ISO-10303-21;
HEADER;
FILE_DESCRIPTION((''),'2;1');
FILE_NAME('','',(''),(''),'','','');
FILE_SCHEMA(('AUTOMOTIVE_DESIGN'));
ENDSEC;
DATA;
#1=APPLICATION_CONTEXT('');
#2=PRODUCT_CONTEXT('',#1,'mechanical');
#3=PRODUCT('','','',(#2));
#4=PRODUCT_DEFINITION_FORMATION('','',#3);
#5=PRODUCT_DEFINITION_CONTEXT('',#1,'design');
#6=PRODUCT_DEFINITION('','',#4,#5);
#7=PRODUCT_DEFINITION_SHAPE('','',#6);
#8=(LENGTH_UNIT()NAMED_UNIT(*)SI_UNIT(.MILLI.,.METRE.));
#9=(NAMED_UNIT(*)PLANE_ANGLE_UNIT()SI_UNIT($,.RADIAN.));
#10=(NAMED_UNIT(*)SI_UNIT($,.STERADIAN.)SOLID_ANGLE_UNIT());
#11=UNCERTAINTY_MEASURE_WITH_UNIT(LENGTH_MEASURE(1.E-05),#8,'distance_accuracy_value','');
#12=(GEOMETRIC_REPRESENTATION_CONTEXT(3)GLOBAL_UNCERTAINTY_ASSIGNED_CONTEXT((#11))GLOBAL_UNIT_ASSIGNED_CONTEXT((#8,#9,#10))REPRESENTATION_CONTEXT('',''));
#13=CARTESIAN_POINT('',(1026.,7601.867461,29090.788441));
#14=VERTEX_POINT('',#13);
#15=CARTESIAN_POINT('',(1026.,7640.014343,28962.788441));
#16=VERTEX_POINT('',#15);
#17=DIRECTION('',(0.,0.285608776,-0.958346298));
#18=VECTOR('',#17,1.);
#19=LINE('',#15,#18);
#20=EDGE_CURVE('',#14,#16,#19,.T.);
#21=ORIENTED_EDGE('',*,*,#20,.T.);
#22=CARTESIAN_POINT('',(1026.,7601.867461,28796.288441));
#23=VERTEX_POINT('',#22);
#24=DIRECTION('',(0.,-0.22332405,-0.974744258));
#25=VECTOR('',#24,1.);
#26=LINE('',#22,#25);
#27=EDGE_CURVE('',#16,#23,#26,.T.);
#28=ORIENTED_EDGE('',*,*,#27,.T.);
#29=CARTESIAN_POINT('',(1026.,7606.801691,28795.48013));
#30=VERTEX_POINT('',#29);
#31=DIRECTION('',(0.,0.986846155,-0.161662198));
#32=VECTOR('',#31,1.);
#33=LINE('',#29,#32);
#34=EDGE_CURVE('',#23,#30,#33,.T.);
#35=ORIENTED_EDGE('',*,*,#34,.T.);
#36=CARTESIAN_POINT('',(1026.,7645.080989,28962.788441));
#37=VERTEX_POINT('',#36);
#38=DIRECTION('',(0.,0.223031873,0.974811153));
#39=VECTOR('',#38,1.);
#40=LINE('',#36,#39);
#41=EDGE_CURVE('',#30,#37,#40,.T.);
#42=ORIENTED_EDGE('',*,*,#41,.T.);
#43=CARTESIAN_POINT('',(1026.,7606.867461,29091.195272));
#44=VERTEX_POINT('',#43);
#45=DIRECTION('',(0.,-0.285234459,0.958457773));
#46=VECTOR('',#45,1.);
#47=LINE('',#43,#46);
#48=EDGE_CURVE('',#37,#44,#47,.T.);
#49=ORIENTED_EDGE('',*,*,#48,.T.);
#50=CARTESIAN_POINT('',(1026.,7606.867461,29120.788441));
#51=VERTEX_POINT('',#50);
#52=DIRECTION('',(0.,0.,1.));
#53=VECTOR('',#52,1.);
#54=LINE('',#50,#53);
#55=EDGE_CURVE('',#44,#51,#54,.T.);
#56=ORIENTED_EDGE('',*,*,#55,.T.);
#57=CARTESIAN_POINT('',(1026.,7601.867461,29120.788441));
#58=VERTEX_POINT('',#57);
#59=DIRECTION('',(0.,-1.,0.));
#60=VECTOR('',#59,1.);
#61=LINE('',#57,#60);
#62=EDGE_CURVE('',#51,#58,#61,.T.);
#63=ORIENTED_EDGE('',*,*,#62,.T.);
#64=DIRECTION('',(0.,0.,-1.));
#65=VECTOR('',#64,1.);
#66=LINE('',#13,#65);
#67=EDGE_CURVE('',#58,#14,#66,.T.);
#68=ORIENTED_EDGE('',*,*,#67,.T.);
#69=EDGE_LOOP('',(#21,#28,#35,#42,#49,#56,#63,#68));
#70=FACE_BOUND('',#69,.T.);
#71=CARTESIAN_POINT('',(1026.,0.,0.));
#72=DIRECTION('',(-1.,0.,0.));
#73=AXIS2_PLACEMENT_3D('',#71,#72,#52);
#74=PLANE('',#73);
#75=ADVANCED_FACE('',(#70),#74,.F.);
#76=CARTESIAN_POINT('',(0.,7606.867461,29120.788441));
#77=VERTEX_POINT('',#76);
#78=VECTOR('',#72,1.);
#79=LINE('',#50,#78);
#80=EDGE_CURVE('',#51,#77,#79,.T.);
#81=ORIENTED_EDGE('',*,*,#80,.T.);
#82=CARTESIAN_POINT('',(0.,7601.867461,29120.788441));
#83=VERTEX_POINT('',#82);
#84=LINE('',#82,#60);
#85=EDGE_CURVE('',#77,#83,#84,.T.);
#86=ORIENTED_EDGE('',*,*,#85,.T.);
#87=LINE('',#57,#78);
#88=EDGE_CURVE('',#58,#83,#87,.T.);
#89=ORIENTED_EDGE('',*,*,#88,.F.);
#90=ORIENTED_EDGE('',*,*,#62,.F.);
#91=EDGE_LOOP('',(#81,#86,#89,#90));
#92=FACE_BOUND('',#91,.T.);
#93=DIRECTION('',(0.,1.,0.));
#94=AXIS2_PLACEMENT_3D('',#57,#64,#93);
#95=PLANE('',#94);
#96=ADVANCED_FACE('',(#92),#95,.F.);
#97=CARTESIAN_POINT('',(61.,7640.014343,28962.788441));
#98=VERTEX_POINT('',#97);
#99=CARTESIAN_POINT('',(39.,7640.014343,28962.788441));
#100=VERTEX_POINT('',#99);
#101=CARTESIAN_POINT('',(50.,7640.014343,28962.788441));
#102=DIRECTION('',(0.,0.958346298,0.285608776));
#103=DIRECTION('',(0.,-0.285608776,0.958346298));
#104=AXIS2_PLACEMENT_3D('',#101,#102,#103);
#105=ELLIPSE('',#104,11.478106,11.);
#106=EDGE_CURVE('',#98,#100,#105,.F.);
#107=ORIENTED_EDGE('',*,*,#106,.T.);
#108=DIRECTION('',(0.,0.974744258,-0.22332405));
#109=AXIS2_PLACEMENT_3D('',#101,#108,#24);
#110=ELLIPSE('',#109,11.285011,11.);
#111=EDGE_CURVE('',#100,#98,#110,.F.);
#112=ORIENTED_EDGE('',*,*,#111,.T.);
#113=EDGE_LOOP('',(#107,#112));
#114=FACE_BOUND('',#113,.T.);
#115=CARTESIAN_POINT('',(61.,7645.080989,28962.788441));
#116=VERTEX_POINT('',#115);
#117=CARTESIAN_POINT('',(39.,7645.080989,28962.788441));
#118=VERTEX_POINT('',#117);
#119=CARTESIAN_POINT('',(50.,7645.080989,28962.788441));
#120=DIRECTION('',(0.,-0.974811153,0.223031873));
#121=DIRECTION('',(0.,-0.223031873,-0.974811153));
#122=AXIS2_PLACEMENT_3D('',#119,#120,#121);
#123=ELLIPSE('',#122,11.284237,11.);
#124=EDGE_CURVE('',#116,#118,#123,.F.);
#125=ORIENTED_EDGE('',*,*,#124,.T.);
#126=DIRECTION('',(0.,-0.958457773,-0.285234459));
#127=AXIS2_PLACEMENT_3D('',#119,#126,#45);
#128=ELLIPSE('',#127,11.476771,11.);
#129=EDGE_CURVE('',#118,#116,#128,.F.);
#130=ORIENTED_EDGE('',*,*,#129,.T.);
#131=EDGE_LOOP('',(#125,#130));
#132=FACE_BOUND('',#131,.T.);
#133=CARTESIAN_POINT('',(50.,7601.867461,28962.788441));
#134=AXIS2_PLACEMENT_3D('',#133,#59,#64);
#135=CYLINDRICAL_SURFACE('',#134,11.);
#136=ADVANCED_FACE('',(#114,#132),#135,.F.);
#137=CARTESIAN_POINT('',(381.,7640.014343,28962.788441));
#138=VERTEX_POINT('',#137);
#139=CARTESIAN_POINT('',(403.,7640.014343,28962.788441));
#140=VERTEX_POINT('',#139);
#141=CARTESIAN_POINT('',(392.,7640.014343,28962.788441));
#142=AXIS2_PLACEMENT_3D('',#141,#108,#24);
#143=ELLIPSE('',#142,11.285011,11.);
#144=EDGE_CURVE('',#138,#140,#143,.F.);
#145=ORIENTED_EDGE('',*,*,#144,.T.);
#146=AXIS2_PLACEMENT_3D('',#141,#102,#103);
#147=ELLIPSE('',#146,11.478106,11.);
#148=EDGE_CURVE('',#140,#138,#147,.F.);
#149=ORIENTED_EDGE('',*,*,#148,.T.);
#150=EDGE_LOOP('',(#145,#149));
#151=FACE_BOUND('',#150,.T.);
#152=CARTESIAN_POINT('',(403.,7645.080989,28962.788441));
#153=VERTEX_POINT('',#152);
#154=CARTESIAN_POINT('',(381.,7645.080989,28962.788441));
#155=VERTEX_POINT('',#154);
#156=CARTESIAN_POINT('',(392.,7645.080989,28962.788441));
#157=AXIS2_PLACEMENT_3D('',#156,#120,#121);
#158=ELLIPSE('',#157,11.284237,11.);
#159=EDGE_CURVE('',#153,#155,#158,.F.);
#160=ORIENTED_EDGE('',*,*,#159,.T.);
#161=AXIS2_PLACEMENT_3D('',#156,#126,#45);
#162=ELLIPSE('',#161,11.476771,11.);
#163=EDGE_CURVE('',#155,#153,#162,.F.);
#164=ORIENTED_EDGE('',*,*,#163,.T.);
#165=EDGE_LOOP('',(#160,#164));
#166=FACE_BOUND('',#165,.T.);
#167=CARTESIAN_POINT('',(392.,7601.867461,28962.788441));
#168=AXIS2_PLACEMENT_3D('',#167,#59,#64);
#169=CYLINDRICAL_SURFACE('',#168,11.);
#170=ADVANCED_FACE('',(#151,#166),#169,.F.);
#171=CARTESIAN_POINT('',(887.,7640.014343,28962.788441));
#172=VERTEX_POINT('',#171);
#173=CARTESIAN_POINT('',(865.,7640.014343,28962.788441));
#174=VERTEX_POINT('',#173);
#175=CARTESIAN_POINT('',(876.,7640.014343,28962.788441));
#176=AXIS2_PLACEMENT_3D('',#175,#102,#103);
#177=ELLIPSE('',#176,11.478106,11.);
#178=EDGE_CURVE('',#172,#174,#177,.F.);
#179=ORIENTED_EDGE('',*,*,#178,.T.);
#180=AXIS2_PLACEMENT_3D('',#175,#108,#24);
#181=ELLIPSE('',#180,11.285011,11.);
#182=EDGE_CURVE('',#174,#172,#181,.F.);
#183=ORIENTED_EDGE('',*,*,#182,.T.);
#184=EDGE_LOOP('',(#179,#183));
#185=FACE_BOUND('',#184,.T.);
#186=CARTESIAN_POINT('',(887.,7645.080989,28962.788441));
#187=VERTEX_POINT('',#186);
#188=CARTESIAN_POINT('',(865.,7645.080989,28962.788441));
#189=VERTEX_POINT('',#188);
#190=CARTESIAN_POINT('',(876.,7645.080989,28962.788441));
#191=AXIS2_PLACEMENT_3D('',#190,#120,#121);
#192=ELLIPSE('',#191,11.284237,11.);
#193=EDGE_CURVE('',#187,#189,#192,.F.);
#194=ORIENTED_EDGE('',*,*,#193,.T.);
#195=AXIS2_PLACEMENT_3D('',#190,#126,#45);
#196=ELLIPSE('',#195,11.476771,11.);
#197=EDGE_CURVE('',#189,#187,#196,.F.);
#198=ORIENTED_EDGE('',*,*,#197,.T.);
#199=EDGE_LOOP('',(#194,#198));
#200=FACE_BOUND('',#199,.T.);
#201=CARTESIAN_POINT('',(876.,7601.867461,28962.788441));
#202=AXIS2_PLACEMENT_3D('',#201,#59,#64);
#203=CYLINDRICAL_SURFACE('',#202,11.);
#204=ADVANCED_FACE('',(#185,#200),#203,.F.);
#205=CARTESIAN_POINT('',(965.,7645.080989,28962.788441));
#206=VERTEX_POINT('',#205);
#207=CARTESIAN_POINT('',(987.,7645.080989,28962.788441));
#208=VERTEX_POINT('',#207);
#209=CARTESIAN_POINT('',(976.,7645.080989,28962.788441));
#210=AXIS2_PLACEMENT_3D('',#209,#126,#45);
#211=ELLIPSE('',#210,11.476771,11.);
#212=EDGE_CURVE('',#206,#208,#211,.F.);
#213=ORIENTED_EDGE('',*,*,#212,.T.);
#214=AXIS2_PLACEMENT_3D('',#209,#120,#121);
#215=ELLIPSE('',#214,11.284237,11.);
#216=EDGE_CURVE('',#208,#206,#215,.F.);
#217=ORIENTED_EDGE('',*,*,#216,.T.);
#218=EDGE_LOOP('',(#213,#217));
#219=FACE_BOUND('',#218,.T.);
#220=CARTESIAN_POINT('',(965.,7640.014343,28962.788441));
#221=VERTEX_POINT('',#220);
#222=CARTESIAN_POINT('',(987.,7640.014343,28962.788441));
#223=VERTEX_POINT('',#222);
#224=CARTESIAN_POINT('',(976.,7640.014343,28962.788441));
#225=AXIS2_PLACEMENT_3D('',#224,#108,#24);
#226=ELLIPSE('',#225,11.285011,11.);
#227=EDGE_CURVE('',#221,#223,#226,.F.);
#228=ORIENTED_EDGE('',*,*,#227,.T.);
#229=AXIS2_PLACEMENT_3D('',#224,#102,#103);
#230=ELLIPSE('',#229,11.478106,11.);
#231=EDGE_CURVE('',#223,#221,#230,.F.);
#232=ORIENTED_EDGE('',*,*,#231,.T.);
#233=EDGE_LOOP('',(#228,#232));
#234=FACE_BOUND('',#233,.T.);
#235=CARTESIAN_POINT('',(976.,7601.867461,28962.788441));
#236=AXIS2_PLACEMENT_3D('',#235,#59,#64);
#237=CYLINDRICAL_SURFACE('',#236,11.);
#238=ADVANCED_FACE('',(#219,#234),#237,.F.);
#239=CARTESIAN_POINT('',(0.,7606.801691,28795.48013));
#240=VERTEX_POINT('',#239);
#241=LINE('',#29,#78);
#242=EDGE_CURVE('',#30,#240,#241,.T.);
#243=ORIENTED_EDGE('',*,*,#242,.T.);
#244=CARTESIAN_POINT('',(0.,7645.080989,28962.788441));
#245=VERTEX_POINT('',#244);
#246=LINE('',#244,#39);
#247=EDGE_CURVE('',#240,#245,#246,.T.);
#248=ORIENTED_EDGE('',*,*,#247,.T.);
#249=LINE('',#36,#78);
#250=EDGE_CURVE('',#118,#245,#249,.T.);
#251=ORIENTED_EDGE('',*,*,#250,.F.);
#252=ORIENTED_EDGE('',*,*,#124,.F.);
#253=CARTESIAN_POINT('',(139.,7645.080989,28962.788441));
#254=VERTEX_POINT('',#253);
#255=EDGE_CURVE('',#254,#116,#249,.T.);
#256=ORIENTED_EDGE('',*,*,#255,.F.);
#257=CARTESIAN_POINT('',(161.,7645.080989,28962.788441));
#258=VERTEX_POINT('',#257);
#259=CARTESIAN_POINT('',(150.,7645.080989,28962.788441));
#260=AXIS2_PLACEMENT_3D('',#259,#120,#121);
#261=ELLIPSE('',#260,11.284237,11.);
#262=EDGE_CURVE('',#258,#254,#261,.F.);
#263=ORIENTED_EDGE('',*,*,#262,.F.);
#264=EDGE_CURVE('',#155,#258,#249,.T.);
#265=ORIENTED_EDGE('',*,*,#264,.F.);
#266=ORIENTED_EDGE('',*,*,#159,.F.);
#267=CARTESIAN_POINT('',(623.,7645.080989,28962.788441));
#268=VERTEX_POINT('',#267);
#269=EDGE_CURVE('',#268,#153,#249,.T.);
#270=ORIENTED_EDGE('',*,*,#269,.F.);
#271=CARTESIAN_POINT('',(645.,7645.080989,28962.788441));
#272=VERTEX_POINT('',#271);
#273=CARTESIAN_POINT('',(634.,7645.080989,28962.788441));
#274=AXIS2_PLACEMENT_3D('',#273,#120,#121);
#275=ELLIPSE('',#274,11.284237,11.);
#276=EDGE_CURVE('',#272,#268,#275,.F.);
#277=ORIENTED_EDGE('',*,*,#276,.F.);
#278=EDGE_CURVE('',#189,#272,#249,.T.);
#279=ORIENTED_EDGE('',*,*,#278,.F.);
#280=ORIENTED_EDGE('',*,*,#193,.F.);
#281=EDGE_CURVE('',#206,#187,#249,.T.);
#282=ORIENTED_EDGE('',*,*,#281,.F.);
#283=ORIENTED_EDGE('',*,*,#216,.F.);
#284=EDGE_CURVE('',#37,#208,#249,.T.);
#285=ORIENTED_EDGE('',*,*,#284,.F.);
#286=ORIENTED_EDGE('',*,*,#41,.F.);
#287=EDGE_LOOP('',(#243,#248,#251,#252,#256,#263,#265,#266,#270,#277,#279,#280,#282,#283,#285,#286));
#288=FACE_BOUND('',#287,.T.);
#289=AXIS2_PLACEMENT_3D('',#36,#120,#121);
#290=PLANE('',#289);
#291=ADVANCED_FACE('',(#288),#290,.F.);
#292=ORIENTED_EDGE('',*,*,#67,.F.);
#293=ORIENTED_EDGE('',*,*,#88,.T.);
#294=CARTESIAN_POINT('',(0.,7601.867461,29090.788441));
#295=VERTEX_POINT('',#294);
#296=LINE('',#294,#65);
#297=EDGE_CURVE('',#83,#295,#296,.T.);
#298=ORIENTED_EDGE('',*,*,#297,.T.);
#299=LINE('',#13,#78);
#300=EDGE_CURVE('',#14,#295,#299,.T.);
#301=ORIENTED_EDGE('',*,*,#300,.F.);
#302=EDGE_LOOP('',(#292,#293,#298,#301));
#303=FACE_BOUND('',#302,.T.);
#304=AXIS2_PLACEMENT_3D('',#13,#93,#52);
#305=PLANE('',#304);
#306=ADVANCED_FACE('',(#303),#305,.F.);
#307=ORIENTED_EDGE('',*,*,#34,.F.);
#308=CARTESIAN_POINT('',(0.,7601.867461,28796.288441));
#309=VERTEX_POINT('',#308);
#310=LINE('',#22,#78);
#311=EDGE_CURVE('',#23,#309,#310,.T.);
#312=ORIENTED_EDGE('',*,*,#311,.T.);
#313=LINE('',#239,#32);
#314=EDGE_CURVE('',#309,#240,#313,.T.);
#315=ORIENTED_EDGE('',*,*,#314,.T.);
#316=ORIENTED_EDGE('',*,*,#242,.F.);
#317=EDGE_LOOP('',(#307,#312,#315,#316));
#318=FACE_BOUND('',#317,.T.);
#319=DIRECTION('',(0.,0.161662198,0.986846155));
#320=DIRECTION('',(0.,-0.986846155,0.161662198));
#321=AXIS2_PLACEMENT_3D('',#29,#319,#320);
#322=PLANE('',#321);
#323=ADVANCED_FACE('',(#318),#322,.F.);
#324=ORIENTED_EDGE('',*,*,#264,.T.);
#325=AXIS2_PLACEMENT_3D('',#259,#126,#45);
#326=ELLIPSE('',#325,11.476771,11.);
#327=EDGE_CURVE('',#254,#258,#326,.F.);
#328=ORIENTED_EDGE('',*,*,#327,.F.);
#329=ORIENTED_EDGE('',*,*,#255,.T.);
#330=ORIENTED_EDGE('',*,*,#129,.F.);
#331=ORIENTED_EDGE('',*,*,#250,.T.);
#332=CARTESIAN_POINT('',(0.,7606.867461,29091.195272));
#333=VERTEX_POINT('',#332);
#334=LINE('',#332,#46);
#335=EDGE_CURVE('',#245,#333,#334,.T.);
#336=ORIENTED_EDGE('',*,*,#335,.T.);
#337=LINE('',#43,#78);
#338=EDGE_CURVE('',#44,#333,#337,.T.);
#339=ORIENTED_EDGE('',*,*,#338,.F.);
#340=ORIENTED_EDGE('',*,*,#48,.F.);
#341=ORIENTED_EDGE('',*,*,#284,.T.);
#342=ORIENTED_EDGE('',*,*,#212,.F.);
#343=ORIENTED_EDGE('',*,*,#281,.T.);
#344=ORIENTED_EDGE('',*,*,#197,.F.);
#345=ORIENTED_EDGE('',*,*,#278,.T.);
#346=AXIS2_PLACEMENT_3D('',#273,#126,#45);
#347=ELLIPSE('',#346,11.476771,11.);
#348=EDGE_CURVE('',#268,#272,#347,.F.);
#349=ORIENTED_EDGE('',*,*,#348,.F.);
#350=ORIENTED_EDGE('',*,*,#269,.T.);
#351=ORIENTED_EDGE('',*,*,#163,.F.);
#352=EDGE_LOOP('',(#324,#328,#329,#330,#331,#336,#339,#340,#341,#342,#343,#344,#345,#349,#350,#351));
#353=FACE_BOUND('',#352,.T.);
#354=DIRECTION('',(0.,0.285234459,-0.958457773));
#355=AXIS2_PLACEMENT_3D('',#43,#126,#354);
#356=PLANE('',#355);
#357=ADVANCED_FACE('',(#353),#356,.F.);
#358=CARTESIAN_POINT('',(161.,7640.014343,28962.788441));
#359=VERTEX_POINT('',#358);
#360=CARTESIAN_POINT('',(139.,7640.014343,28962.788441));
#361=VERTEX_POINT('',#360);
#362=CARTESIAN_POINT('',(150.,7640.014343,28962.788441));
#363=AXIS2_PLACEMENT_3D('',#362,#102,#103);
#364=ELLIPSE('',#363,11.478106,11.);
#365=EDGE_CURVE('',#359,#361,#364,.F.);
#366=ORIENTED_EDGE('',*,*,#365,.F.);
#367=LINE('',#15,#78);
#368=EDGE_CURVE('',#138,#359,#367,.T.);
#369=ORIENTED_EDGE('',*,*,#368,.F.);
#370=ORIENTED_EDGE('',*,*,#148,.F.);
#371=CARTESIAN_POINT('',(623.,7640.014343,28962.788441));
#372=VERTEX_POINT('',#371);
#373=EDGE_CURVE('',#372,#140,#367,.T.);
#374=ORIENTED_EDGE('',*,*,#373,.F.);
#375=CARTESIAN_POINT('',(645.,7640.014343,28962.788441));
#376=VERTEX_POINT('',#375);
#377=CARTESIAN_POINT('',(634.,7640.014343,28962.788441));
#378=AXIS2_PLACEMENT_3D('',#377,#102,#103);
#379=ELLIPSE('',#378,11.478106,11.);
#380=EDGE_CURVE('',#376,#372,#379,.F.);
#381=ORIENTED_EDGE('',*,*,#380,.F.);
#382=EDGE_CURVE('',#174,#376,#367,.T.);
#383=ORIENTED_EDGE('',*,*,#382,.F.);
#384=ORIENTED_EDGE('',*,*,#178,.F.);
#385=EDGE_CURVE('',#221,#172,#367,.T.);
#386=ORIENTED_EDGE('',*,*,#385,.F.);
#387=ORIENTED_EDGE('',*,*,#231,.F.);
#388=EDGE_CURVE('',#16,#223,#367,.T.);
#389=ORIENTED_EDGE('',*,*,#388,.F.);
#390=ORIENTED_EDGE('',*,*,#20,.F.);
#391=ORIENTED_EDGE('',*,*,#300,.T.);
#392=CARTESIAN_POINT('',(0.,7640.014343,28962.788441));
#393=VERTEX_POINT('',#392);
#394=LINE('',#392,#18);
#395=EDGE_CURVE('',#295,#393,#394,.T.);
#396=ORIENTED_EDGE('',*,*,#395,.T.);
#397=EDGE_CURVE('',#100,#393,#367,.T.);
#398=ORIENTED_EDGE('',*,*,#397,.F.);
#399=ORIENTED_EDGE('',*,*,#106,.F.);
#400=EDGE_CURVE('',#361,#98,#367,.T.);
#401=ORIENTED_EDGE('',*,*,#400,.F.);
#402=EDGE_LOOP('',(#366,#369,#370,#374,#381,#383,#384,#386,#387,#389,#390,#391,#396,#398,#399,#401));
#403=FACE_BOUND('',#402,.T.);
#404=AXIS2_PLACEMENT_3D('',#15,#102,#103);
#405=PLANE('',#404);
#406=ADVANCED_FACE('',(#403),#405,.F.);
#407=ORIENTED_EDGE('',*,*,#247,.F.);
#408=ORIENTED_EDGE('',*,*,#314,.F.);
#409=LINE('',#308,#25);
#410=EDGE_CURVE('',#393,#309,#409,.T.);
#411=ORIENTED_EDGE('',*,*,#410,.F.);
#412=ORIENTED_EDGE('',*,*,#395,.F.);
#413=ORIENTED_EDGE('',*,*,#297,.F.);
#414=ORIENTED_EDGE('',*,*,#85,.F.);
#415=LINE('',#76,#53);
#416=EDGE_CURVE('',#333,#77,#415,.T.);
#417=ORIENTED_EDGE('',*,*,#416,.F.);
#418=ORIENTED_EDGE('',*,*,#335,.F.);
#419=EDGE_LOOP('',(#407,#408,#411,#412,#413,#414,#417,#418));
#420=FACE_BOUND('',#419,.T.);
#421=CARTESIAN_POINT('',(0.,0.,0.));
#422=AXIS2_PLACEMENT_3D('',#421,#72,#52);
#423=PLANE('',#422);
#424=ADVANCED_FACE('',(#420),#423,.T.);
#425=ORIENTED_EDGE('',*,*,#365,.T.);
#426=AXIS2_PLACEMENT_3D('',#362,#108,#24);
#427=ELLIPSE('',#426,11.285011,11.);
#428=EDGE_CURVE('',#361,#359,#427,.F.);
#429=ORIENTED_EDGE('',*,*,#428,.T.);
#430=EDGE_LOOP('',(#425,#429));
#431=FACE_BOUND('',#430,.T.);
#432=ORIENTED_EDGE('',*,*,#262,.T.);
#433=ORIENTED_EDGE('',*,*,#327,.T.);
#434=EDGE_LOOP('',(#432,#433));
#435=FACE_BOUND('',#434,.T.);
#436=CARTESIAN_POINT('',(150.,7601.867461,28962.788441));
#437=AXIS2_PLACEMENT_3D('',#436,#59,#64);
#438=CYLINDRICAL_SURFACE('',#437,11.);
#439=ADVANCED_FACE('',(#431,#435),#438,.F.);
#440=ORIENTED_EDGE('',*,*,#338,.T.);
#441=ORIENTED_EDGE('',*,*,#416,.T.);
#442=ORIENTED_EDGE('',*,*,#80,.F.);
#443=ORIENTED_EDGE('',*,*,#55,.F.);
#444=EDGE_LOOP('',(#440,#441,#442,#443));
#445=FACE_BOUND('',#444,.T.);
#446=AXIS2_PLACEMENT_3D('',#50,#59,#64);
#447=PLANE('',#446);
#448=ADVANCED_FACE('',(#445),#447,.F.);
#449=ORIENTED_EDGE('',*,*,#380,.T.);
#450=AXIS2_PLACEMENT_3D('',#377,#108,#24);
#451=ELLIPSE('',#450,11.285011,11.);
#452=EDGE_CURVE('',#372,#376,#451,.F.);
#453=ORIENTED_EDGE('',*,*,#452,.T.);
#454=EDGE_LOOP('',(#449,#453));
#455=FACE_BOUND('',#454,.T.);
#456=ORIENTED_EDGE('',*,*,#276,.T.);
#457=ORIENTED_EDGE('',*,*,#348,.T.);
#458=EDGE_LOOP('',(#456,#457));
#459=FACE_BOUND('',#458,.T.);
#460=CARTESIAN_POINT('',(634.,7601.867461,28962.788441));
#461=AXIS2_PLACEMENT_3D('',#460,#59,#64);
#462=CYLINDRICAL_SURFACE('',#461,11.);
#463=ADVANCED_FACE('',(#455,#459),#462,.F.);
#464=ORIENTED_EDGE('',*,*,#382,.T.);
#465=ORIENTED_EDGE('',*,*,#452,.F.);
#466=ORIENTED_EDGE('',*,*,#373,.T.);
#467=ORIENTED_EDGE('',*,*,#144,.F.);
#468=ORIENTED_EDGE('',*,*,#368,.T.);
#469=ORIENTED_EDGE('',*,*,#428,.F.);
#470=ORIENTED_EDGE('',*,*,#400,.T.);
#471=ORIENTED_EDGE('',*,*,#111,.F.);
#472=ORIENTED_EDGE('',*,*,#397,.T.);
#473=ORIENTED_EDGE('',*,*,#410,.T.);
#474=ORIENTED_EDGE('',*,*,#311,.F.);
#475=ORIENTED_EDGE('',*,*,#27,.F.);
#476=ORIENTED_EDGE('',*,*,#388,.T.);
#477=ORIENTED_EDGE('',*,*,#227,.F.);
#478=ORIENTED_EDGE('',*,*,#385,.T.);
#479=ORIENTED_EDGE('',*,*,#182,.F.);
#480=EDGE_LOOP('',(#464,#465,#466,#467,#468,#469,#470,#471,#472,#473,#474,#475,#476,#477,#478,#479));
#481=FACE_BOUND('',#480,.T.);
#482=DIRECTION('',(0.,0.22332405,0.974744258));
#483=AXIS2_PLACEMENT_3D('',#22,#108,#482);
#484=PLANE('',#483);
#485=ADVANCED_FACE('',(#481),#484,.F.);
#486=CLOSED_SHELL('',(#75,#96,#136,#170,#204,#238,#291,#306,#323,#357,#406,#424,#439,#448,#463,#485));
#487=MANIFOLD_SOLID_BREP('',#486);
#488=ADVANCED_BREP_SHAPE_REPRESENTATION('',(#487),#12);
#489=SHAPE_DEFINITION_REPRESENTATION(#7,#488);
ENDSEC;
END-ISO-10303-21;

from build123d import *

# Parameters (mm, degrees)
BOSS_EXTRUDE1_DEPTH     = 1026
CUT_EXTRUDE1_DEPTH      = 30126.076908122
CUT_EXTRUDE1_DEPTH_BACK = 30126.076908122
SKETCH2_R               = 11


with BuildPart() as part:
    # Sketch1 → Boss-Extrude1 (new body)
    with BuildSketch(Plane(origin=(0, 0, 0), x_dir=(0, 0, -1), z_dir=(1, 0, 0))):
        Polygon((-29120.788440545, 7606.867460507), (-29091.195271738, 7606.867460507), (-28962.788440545, 7645.080988537), (-28795.480129553, 7606.801691282), (-28796.288440545, 7601.867460507), (-28962.788440545, 7640.014342662), (-29090.788440545, 7601.867460507), (-29120.788440545, 7601.867460507), align=None)
    extrude(amount=BOSS_EXTRUDE1_DEPTH)

    # Sketch2 → Cut-Extrude1 (cut, two sides: drawn at the far end of the back side and taken through both)
    with BuildSketch(Plane(origin=(0, 0, 0), x_dir=(1, 0, 0), z_dir=(0, 1, 0)).offset(-CUT_EXTRUDE1_DEPTH_BACK)):
        with Locations(Location((50, -28962.788440545, 0), (0, 0, 180))):
            Circle(SKETCH2_R)
        with Locations(Location((150, -28962.788440545, 0), (0, 0, 180))):
            Circle(SKETCH2_R)
        with Locations(Location((392, -28962.788440545, 0), (0, 0, 180))):
            Circle(SKETCH2_R)
        with Locations(Location((634, -28962.788440545, 0), (0, 0, 180))):
            Circle(SKETCH2_R)
        with Locations(Location((876, -28962.788440545, 0), (0, 0, 180))):
            Circle(SKETCH2_R)
        with Locations(Location((976, -28962.788440545, 0), (0, 0, 180))):
            Circle(SKETCH2_R)
    extrude(amount=CUT_EXTRUDE1_DEPTH + CUT_EXTRUDE1_DEPTH_BACK, mode=Mode.SUBTRACT)


solid = part.part
